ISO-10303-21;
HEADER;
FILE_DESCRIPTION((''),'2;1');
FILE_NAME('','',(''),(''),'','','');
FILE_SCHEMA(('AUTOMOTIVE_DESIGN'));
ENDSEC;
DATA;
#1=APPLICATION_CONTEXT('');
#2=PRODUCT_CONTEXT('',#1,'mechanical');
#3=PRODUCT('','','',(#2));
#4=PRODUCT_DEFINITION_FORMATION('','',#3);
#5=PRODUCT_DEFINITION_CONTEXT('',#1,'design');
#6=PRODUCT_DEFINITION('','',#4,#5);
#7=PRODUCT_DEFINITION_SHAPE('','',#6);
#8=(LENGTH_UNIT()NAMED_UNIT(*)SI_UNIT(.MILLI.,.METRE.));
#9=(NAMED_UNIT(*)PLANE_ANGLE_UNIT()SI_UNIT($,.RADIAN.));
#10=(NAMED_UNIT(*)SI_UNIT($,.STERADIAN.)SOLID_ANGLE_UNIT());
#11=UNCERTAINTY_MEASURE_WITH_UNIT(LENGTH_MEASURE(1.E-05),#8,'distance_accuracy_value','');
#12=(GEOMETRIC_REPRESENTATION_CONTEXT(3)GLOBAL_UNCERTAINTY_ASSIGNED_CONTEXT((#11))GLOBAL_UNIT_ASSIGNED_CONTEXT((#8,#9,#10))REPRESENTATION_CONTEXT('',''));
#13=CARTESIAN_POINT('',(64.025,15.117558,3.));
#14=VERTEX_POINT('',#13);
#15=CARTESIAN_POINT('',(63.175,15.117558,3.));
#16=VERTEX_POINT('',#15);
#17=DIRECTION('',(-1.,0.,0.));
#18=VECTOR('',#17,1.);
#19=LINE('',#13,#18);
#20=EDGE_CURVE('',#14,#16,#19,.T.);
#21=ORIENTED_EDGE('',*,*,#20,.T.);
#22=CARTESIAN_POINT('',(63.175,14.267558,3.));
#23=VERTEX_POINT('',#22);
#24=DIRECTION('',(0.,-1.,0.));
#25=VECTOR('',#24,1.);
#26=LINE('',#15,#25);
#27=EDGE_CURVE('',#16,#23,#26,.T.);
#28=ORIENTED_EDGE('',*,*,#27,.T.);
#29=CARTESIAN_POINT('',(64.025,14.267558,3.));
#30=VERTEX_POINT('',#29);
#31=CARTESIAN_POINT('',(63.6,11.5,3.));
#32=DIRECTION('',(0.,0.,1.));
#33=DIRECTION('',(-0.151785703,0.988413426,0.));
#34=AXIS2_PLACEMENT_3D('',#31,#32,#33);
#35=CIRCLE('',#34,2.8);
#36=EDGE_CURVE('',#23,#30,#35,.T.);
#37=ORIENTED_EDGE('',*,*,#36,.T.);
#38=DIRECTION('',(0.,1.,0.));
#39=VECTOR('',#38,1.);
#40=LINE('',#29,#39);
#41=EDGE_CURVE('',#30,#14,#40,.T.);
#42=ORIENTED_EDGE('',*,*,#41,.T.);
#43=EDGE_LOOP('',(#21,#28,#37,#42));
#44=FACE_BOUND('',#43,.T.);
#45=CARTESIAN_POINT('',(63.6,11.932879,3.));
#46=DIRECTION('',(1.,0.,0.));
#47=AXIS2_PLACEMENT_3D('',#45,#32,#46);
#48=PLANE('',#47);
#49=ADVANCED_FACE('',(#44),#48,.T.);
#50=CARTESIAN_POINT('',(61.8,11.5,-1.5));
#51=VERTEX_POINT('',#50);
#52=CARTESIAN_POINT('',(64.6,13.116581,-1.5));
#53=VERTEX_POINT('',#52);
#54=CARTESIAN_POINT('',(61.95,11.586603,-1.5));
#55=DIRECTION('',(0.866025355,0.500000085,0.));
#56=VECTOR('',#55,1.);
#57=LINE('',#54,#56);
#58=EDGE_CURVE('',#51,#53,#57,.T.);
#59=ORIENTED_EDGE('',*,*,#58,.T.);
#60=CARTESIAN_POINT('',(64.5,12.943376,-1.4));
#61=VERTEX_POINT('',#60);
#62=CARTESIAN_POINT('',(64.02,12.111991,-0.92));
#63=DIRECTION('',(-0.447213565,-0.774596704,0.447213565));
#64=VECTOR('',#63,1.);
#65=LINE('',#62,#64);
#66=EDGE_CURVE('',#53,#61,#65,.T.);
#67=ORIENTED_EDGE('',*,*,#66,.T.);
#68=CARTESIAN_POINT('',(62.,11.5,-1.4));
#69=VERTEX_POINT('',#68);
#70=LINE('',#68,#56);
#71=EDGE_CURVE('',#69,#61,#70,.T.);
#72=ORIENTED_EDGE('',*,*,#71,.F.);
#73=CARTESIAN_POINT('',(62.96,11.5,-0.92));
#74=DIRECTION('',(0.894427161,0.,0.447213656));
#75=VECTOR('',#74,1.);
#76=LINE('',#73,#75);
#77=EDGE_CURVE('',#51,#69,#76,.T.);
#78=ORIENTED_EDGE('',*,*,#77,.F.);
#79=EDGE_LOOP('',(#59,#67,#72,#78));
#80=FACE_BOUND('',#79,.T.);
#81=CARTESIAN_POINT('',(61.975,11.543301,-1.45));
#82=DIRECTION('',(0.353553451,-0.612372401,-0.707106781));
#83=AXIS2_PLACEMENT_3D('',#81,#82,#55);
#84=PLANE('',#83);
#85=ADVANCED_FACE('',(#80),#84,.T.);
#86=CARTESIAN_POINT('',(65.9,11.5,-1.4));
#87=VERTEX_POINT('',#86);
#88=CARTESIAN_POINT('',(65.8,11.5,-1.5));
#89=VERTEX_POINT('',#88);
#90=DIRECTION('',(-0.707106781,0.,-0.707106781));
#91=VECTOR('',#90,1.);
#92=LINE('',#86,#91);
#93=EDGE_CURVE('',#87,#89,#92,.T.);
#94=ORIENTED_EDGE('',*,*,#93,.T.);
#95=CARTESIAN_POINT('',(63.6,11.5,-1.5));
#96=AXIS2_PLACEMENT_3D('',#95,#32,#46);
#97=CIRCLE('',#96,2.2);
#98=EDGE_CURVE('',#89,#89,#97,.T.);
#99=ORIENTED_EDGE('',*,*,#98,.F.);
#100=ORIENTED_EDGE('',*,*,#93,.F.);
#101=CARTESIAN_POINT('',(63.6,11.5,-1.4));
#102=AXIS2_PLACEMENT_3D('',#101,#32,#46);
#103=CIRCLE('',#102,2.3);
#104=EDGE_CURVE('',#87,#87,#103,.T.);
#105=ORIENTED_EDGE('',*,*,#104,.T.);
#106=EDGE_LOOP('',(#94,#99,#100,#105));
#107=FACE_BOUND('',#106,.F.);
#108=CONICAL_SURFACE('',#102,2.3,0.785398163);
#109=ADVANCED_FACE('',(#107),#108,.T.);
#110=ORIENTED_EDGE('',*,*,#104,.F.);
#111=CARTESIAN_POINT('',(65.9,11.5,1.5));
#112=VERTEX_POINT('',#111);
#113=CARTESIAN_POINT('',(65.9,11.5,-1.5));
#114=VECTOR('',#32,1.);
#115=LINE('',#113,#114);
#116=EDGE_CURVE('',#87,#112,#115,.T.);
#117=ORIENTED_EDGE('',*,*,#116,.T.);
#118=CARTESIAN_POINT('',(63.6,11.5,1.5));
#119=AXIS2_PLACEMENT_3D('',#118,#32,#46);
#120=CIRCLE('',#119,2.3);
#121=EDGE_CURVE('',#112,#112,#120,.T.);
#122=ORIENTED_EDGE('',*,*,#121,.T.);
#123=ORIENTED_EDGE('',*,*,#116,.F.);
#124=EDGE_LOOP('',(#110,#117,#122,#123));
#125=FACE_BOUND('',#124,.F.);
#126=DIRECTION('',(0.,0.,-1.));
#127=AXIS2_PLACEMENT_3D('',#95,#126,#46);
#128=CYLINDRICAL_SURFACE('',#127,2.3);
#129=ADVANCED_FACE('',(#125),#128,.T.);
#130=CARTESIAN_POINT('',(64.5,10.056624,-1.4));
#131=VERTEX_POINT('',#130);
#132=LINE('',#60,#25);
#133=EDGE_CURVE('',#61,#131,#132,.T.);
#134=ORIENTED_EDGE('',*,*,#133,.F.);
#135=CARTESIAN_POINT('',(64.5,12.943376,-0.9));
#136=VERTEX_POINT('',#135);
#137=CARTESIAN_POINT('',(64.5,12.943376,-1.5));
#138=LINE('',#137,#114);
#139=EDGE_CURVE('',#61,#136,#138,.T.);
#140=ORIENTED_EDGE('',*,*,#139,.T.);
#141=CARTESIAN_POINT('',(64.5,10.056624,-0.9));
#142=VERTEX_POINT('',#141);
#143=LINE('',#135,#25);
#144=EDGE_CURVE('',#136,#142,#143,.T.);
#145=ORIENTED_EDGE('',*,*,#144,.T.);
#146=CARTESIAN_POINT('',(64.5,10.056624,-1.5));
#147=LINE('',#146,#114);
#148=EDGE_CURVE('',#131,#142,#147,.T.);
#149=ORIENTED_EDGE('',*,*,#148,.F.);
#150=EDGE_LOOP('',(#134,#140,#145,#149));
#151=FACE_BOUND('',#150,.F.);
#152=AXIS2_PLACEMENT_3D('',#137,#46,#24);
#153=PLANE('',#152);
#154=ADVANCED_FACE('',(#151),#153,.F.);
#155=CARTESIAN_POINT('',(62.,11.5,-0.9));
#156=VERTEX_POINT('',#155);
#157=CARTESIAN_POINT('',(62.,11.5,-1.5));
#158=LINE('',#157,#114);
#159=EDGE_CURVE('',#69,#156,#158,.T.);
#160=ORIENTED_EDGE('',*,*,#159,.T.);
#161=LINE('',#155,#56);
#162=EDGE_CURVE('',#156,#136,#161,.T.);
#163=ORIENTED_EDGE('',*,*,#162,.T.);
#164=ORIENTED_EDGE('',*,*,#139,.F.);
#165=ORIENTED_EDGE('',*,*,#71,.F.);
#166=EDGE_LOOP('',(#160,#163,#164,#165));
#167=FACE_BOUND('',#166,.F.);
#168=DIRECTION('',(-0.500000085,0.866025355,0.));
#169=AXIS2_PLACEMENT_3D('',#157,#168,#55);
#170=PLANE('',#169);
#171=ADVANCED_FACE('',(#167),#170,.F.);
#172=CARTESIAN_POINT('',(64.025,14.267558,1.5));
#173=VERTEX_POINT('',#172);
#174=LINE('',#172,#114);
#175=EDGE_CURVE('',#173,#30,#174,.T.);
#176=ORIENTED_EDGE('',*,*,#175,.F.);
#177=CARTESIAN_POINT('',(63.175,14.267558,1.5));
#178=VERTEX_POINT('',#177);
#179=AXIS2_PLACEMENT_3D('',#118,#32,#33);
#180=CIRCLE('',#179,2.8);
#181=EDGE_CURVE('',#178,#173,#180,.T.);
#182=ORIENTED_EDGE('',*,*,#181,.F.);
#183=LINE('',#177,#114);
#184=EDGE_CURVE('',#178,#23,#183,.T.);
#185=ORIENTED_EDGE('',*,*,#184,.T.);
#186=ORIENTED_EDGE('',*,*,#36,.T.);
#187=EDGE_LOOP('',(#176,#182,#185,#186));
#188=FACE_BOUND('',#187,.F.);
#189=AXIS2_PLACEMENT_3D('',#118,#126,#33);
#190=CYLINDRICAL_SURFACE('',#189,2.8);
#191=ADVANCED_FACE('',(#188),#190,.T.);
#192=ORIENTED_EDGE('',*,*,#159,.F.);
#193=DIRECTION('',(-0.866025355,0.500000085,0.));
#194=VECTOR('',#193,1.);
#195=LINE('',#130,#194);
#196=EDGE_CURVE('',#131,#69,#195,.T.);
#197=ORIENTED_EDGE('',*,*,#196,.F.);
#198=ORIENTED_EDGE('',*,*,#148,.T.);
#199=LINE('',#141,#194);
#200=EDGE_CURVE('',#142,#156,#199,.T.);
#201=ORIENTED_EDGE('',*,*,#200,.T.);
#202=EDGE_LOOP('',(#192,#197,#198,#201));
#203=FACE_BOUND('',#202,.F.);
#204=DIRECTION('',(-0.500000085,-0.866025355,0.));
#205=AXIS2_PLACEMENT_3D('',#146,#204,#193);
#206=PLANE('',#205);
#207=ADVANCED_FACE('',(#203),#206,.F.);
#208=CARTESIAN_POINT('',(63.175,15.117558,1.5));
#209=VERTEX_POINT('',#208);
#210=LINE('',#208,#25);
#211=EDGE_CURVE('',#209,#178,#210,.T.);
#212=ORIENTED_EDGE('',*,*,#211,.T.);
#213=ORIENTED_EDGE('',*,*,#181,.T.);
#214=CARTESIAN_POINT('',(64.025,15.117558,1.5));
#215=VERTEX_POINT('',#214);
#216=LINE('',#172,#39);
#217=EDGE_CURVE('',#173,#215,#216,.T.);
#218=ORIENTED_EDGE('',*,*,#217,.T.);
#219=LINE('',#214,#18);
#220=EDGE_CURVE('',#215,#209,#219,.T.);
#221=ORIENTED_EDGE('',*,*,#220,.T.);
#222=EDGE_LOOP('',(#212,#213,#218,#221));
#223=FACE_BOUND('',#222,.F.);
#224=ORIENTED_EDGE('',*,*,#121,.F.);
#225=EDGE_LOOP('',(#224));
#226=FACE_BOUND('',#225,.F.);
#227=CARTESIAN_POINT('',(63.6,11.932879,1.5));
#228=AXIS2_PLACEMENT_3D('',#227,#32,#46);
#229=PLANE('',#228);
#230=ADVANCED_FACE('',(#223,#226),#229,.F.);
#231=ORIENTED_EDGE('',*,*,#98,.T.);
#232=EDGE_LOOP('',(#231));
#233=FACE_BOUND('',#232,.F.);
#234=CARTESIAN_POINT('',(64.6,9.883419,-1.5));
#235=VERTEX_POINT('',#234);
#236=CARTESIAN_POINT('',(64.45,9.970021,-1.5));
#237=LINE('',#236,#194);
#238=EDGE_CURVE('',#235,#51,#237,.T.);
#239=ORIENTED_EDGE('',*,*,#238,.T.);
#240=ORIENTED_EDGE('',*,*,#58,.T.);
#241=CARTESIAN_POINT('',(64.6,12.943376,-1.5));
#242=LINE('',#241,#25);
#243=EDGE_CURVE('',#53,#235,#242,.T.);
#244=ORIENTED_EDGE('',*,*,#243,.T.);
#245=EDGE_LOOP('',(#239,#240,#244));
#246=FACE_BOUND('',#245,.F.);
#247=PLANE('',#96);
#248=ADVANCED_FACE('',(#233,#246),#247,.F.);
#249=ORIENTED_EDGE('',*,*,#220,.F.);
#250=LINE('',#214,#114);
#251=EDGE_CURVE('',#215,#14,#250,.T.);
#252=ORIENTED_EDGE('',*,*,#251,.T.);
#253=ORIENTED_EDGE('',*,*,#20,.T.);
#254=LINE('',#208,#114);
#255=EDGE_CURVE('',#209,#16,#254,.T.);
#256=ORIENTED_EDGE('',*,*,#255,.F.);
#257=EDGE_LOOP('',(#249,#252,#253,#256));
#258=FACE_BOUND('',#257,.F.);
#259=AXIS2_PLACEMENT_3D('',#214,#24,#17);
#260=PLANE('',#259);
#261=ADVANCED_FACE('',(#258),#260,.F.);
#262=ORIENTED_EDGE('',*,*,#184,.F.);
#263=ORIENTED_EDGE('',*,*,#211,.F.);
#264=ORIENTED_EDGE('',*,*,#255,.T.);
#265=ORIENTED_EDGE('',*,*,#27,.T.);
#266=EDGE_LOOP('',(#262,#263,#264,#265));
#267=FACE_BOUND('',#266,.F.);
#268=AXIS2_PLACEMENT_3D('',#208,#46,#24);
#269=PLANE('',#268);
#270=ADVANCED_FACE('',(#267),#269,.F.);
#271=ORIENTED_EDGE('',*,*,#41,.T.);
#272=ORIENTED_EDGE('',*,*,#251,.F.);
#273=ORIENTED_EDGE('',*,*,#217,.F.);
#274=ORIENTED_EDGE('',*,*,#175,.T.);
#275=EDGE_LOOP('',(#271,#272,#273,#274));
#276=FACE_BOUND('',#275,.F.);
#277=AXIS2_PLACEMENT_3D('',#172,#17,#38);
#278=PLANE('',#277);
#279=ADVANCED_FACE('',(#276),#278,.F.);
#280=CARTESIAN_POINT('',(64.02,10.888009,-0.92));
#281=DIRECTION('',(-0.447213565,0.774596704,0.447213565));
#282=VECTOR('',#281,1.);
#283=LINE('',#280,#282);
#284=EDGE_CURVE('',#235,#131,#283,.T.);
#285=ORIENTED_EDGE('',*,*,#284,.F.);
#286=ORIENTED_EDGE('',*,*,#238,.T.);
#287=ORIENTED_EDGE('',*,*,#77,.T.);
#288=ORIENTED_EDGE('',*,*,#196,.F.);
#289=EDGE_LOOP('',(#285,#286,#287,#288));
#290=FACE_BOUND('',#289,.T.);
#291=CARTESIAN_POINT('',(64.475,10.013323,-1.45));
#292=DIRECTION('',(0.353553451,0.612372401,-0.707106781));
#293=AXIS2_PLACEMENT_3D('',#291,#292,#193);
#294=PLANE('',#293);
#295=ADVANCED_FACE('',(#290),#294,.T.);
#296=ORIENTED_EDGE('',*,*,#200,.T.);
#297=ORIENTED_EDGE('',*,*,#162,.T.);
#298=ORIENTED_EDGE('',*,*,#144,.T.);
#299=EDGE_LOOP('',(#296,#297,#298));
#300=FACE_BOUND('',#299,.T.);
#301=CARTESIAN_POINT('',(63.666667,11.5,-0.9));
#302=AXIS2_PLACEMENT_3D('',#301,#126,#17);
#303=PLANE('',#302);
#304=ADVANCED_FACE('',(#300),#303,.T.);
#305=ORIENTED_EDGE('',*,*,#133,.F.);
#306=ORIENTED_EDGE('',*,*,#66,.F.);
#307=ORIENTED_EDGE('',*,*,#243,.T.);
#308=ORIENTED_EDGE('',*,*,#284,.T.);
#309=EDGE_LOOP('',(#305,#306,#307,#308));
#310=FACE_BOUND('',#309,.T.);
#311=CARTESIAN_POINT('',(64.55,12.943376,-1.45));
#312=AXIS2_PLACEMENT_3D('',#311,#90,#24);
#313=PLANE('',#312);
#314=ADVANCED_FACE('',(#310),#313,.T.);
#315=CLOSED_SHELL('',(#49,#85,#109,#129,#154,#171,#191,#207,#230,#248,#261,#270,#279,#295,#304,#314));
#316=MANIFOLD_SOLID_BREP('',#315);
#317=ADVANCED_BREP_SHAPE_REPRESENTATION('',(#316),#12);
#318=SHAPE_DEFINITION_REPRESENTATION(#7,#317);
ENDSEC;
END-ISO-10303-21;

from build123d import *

# Parameters (mm, degrees)
SKETCH049_R     = 2.3
PAD034_DEPTH    = 3
PAD035_DEPTH    = 1.5
POCKET008_DEPTH = 0.6
CHAMFER002_SIZE = 0.1


with BuildPart() as part:
    # Sketch049 → Pad034 (new body)
    with BuildSketch(Plane.XY):
        Circle(SKETCH049_R)
    extrude(amount=PAD034_DEPTH)

    # Sketch050 (on Face3 of Pad034) → Pad035 (join)
    with BuildSketch(Plane.XY.offset(3)):
        with BuildLine():
            Line((0.425, 2.767558), (0.425, 3.617558))
            Line((0.425, 3.617558), (-0.425, 3.617558))
            Line((-0.425, 3.617558), (-0.425, 2.767558))
            ThreePointArc((-0.425, 2.767558), (0, -2.8), (0.425, 2.767558))
        make_face()
    extrude(amount=PAD035_DEPTH)

    # Sketch051 → Pocket008 (cut)
    with BuildSketch(Plane.XY):
        Polygon((0.9, -1.443376), (-1.6, 0), (0.9, 1.443376), align=None)
    extrude(amount=POCKET008_DEPTH, mode=Mode.SUBTRACT)

    # Chamfer002
    chamfer002_edges = [part.edges().sort_by_distance(p)[0] for p in [
        (-0.35, -0.721688, 0),
        (0.9, 0, 0),
        (-0.35, 0.721688, 0),
        (-2.3, 0, 0),
    ]]
    chamfer(chamfer002_edges, length=CHAMFER002_SIZE)


with BuildPart() as part_1:
    # Body014 placement: moved
    add(part.part.moved(Location((63.6, 11.5, -1.5))))


solid = part_1.part
